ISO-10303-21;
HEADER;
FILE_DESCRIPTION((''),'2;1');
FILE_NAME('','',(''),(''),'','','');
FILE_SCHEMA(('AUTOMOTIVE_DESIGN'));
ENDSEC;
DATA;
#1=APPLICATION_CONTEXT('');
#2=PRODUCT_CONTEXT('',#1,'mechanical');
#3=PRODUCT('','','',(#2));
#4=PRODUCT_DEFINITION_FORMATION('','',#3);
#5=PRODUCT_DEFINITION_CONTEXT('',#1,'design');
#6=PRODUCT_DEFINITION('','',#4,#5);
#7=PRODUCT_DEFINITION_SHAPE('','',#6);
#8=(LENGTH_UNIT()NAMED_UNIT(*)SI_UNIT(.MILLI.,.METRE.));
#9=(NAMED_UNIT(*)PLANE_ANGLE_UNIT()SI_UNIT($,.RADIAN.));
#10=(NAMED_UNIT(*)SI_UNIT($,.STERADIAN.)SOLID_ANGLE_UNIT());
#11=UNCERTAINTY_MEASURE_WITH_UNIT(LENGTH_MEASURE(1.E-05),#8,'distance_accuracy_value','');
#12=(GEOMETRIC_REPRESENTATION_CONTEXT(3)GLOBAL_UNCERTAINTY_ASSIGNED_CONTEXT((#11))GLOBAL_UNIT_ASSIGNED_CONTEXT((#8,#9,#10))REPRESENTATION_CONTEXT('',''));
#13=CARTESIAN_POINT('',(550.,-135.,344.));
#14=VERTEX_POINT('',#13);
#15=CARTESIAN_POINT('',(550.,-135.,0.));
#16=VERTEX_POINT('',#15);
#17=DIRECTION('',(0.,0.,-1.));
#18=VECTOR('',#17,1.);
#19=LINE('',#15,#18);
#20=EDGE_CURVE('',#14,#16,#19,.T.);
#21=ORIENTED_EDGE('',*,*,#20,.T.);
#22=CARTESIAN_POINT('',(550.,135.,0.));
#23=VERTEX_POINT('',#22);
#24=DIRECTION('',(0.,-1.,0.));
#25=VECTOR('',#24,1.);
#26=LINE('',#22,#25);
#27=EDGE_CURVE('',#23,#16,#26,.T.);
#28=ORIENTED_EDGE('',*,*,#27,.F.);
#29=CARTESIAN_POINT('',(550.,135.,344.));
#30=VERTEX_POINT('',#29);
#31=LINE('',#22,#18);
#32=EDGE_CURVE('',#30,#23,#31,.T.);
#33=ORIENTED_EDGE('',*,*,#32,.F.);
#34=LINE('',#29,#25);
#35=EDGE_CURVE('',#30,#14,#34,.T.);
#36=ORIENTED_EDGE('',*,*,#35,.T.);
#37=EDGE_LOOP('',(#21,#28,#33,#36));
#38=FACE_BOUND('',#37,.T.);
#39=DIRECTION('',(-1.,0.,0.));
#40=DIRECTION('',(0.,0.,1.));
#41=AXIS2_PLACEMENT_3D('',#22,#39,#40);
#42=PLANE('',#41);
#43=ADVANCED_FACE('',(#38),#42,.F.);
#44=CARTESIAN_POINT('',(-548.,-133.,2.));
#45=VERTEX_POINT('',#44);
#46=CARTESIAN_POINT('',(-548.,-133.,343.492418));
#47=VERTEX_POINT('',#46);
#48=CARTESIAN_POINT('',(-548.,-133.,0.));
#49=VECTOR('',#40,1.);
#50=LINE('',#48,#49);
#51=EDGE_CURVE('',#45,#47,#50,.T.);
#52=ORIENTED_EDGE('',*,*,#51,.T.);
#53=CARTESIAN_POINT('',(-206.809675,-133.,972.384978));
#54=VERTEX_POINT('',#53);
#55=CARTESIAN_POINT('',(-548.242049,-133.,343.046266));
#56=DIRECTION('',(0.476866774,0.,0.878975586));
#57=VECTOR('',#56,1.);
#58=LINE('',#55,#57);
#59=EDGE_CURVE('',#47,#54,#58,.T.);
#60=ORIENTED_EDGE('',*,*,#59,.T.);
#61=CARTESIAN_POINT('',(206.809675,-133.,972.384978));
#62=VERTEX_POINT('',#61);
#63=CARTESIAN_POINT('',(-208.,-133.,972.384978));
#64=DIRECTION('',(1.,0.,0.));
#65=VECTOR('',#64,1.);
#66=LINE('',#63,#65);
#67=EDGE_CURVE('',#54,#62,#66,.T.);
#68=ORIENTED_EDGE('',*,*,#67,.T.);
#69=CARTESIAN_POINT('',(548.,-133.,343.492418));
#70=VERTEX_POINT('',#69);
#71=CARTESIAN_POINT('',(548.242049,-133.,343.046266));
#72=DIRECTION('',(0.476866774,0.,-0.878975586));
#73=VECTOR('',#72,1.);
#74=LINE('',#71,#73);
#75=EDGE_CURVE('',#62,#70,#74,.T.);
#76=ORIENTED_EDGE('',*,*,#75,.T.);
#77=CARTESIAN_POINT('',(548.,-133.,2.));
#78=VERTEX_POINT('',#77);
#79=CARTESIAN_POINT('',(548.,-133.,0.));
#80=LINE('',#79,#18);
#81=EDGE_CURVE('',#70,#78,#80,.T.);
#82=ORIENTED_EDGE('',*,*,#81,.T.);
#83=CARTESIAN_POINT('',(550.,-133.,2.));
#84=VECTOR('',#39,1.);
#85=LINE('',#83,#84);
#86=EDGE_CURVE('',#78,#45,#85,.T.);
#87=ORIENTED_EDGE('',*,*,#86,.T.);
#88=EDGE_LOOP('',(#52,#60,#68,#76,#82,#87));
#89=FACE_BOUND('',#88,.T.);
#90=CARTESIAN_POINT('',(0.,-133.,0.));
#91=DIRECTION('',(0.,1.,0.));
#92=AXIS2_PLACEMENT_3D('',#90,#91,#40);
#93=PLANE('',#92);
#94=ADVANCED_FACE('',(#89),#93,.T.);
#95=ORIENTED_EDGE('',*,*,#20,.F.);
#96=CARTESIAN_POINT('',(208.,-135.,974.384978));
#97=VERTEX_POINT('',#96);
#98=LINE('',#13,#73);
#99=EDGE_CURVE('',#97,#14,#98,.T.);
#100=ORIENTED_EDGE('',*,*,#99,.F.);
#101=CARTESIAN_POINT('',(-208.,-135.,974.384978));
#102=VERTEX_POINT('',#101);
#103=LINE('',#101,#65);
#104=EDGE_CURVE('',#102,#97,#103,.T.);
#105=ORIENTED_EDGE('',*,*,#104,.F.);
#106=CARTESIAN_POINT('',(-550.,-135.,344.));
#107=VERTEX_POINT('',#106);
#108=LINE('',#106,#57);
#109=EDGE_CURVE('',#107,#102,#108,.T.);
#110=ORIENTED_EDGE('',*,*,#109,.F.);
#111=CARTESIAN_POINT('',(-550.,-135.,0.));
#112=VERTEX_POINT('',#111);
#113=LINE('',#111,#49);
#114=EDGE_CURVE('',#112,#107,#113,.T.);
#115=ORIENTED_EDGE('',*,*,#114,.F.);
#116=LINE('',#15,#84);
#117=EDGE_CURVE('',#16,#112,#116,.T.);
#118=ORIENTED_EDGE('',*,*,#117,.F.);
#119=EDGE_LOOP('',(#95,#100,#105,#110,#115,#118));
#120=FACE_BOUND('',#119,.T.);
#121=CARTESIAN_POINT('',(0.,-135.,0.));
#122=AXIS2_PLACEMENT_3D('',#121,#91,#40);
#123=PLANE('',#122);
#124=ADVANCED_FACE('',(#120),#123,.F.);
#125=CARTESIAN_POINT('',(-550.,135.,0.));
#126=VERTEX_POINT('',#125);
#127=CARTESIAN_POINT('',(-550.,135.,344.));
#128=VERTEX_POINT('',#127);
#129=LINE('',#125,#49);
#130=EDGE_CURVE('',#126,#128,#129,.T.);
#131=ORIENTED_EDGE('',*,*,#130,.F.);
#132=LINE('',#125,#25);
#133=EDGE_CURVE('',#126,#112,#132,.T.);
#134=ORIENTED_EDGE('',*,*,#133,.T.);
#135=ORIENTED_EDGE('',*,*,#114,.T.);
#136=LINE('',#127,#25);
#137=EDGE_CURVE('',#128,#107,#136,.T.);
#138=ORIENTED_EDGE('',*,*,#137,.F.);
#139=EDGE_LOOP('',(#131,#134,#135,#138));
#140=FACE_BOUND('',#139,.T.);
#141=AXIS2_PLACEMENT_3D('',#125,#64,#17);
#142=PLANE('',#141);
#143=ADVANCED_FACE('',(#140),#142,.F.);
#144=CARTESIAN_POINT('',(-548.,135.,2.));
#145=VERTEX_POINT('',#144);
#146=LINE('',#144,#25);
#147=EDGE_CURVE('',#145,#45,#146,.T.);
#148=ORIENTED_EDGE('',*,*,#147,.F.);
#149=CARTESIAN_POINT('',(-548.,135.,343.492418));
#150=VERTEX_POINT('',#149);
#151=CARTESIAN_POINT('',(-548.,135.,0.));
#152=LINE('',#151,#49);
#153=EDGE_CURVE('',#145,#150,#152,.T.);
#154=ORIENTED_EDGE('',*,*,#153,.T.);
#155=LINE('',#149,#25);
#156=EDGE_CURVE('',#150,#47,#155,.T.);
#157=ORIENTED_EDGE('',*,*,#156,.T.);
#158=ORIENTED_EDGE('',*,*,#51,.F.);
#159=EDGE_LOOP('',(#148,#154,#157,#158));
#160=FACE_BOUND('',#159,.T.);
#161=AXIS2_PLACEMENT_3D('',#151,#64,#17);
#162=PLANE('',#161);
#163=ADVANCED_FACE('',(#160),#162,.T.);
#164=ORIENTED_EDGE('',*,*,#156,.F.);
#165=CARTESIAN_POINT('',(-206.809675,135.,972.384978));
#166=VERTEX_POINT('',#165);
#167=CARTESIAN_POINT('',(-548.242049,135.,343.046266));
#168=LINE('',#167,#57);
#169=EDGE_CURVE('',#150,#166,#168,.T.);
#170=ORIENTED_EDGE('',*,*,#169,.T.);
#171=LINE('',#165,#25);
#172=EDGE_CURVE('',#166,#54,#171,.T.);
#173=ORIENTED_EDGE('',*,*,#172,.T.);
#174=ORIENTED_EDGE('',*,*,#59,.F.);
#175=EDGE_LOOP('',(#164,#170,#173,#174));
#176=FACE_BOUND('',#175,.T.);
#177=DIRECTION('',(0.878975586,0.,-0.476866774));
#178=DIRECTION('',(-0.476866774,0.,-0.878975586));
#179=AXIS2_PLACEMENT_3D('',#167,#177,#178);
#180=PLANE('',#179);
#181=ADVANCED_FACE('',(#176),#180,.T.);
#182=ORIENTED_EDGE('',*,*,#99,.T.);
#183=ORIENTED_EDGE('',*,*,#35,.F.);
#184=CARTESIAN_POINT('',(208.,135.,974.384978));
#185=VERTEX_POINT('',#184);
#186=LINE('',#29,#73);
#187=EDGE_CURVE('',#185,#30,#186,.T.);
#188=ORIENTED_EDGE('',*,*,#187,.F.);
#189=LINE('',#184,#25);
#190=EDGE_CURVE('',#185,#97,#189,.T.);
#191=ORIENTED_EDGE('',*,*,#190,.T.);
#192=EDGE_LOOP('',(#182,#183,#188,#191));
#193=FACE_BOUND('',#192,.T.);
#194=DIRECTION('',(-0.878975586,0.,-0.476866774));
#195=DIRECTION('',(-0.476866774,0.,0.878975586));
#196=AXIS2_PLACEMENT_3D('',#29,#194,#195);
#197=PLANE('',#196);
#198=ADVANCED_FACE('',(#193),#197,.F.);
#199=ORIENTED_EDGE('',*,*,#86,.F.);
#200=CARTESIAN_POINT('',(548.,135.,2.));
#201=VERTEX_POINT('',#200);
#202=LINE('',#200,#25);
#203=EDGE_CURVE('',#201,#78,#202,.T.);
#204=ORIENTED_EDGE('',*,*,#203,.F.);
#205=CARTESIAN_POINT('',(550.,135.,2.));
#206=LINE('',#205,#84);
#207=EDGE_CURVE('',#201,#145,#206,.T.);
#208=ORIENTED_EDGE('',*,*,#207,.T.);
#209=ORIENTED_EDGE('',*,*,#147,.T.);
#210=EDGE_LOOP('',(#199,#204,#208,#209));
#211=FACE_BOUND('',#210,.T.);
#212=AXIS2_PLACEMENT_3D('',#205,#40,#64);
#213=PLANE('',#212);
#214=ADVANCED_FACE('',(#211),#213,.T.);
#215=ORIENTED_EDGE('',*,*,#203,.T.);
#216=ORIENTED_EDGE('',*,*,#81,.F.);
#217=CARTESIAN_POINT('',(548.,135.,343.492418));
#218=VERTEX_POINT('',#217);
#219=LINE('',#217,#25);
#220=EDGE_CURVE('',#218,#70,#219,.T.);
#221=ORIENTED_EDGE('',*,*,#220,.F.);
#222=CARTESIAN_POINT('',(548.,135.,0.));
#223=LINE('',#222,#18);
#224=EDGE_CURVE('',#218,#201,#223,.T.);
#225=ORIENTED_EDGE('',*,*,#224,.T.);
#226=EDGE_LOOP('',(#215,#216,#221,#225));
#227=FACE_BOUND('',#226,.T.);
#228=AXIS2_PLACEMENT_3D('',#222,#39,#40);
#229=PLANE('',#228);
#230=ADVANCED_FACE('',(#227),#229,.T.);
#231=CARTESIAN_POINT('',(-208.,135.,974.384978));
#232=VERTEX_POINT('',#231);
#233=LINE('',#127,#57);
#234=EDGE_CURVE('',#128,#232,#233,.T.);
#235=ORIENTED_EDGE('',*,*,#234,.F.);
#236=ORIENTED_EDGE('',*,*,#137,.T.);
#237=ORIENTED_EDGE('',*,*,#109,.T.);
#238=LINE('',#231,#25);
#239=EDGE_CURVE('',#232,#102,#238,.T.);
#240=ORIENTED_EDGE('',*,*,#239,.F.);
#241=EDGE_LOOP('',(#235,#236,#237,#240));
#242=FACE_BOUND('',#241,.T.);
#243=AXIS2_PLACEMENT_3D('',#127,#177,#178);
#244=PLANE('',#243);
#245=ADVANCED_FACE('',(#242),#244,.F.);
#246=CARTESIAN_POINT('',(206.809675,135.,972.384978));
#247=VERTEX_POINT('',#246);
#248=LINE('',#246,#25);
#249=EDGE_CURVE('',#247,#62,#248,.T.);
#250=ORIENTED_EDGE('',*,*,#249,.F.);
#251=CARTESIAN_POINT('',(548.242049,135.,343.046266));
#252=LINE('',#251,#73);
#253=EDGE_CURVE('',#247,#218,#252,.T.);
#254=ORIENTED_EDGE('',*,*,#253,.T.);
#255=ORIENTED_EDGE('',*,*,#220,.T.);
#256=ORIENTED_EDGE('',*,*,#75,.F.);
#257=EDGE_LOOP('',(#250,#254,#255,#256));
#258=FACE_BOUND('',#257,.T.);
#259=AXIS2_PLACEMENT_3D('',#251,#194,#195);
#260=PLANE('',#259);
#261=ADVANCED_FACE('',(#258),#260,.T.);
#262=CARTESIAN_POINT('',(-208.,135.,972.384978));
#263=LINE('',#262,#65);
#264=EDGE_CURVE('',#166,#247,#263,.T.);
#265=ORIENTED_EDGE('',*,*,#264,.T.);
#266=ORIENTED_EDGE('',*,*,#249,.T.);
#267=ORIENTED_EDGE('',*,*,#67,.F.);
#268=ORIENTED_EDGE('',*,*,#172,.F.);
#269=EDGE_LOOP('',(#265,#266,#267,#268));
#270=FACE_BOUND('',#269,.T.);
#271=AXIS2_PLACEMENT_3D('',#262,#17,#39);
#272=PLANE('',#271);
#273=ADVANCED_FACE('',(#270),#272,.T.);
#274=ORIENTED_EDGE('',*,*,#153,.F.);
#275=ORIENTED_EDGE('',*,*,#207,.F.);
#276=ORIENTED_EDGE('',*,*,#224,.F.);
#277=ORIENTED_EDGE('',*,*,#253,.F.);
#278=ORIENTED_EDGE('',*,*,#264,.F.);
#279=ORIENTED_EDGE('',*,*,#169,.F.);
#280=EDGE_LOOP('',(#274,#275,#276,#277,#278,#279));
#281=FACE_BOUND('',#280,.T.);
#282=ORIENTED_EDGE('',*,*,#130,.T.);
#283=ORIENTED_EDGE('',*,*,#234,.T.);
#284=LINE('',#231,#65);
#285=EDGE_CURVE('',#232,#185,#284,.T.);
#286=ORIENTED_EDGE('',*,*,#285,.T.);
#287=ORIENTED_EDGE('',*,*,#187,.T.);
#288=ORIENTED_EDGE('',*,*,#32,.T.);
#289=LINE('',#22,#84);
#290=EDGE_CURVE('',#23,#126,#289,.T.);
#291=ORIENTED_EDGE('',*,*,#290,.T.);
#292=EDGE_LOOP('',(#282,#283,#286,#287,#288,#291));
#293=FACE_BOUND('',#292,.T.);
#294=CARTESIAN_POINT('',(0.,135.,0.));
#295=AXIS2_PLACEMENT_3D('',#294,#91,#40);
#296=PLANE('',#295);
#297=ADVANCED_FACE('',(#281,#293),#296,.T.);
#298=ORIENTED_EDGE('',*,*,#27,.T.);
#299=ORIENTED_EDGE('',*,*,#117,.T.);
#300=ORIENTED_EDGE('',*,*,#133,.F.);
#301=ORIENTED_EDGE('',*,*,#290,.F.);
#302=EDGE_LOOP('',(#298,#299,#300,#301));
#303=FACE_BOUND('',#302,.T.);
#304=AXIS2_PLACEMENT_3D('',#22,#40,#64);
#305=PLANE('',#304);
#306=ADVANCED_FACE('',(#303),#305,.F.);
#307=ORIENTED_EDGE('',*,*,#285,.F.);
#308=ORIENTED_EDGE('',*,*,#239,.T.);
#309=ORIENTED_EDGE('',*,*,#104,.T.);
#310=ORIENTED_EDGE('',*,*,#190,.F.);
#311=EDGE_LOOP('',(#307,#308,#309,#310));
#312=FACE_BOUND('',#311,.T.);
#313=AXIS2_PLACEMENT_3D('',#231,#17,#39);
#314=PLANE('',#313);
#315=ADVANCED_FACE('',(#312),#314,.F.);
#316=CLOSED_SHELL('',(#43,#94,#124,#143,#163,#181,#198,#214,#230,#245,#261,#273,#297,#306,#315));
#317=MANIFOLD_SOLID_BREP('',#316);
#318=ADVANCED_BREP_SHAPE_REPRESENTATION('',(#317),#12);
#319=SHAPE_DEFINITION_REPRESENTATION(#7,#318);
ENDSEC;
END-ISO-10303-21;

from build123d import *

# Parameters (mm, degrees)
BOSS_EXTRUDE1_DEPTH = 135
SHELL1_T            = -2


with BuildPart() as part:
    # Sketch1 → Boss-Extrude1 (new, symmetric)
    with BuildSketch(Plane(origin=(0, 0, 0), x_dir=(1, 0, 0), z_dir=(0, 1, 0))):
        Polygon((550, 0), (-550, 0), (-550, -344), (-208, -974.384977503), (208, -974.384977503), (550, -344), align=None)
    extrude(amount=BOSS_EXTRUDE1_DEPTH, both=True)

    # Shell1
    shell1_openings = [part.faces().sort_by_distance(p)[0] for p in [
        (0, 135, 417.430162071),
    ]]
    offset(amount=SHELL1_T, openings=shell1_openings, kind=Kind.INTERSECTION)


solid = part.part
